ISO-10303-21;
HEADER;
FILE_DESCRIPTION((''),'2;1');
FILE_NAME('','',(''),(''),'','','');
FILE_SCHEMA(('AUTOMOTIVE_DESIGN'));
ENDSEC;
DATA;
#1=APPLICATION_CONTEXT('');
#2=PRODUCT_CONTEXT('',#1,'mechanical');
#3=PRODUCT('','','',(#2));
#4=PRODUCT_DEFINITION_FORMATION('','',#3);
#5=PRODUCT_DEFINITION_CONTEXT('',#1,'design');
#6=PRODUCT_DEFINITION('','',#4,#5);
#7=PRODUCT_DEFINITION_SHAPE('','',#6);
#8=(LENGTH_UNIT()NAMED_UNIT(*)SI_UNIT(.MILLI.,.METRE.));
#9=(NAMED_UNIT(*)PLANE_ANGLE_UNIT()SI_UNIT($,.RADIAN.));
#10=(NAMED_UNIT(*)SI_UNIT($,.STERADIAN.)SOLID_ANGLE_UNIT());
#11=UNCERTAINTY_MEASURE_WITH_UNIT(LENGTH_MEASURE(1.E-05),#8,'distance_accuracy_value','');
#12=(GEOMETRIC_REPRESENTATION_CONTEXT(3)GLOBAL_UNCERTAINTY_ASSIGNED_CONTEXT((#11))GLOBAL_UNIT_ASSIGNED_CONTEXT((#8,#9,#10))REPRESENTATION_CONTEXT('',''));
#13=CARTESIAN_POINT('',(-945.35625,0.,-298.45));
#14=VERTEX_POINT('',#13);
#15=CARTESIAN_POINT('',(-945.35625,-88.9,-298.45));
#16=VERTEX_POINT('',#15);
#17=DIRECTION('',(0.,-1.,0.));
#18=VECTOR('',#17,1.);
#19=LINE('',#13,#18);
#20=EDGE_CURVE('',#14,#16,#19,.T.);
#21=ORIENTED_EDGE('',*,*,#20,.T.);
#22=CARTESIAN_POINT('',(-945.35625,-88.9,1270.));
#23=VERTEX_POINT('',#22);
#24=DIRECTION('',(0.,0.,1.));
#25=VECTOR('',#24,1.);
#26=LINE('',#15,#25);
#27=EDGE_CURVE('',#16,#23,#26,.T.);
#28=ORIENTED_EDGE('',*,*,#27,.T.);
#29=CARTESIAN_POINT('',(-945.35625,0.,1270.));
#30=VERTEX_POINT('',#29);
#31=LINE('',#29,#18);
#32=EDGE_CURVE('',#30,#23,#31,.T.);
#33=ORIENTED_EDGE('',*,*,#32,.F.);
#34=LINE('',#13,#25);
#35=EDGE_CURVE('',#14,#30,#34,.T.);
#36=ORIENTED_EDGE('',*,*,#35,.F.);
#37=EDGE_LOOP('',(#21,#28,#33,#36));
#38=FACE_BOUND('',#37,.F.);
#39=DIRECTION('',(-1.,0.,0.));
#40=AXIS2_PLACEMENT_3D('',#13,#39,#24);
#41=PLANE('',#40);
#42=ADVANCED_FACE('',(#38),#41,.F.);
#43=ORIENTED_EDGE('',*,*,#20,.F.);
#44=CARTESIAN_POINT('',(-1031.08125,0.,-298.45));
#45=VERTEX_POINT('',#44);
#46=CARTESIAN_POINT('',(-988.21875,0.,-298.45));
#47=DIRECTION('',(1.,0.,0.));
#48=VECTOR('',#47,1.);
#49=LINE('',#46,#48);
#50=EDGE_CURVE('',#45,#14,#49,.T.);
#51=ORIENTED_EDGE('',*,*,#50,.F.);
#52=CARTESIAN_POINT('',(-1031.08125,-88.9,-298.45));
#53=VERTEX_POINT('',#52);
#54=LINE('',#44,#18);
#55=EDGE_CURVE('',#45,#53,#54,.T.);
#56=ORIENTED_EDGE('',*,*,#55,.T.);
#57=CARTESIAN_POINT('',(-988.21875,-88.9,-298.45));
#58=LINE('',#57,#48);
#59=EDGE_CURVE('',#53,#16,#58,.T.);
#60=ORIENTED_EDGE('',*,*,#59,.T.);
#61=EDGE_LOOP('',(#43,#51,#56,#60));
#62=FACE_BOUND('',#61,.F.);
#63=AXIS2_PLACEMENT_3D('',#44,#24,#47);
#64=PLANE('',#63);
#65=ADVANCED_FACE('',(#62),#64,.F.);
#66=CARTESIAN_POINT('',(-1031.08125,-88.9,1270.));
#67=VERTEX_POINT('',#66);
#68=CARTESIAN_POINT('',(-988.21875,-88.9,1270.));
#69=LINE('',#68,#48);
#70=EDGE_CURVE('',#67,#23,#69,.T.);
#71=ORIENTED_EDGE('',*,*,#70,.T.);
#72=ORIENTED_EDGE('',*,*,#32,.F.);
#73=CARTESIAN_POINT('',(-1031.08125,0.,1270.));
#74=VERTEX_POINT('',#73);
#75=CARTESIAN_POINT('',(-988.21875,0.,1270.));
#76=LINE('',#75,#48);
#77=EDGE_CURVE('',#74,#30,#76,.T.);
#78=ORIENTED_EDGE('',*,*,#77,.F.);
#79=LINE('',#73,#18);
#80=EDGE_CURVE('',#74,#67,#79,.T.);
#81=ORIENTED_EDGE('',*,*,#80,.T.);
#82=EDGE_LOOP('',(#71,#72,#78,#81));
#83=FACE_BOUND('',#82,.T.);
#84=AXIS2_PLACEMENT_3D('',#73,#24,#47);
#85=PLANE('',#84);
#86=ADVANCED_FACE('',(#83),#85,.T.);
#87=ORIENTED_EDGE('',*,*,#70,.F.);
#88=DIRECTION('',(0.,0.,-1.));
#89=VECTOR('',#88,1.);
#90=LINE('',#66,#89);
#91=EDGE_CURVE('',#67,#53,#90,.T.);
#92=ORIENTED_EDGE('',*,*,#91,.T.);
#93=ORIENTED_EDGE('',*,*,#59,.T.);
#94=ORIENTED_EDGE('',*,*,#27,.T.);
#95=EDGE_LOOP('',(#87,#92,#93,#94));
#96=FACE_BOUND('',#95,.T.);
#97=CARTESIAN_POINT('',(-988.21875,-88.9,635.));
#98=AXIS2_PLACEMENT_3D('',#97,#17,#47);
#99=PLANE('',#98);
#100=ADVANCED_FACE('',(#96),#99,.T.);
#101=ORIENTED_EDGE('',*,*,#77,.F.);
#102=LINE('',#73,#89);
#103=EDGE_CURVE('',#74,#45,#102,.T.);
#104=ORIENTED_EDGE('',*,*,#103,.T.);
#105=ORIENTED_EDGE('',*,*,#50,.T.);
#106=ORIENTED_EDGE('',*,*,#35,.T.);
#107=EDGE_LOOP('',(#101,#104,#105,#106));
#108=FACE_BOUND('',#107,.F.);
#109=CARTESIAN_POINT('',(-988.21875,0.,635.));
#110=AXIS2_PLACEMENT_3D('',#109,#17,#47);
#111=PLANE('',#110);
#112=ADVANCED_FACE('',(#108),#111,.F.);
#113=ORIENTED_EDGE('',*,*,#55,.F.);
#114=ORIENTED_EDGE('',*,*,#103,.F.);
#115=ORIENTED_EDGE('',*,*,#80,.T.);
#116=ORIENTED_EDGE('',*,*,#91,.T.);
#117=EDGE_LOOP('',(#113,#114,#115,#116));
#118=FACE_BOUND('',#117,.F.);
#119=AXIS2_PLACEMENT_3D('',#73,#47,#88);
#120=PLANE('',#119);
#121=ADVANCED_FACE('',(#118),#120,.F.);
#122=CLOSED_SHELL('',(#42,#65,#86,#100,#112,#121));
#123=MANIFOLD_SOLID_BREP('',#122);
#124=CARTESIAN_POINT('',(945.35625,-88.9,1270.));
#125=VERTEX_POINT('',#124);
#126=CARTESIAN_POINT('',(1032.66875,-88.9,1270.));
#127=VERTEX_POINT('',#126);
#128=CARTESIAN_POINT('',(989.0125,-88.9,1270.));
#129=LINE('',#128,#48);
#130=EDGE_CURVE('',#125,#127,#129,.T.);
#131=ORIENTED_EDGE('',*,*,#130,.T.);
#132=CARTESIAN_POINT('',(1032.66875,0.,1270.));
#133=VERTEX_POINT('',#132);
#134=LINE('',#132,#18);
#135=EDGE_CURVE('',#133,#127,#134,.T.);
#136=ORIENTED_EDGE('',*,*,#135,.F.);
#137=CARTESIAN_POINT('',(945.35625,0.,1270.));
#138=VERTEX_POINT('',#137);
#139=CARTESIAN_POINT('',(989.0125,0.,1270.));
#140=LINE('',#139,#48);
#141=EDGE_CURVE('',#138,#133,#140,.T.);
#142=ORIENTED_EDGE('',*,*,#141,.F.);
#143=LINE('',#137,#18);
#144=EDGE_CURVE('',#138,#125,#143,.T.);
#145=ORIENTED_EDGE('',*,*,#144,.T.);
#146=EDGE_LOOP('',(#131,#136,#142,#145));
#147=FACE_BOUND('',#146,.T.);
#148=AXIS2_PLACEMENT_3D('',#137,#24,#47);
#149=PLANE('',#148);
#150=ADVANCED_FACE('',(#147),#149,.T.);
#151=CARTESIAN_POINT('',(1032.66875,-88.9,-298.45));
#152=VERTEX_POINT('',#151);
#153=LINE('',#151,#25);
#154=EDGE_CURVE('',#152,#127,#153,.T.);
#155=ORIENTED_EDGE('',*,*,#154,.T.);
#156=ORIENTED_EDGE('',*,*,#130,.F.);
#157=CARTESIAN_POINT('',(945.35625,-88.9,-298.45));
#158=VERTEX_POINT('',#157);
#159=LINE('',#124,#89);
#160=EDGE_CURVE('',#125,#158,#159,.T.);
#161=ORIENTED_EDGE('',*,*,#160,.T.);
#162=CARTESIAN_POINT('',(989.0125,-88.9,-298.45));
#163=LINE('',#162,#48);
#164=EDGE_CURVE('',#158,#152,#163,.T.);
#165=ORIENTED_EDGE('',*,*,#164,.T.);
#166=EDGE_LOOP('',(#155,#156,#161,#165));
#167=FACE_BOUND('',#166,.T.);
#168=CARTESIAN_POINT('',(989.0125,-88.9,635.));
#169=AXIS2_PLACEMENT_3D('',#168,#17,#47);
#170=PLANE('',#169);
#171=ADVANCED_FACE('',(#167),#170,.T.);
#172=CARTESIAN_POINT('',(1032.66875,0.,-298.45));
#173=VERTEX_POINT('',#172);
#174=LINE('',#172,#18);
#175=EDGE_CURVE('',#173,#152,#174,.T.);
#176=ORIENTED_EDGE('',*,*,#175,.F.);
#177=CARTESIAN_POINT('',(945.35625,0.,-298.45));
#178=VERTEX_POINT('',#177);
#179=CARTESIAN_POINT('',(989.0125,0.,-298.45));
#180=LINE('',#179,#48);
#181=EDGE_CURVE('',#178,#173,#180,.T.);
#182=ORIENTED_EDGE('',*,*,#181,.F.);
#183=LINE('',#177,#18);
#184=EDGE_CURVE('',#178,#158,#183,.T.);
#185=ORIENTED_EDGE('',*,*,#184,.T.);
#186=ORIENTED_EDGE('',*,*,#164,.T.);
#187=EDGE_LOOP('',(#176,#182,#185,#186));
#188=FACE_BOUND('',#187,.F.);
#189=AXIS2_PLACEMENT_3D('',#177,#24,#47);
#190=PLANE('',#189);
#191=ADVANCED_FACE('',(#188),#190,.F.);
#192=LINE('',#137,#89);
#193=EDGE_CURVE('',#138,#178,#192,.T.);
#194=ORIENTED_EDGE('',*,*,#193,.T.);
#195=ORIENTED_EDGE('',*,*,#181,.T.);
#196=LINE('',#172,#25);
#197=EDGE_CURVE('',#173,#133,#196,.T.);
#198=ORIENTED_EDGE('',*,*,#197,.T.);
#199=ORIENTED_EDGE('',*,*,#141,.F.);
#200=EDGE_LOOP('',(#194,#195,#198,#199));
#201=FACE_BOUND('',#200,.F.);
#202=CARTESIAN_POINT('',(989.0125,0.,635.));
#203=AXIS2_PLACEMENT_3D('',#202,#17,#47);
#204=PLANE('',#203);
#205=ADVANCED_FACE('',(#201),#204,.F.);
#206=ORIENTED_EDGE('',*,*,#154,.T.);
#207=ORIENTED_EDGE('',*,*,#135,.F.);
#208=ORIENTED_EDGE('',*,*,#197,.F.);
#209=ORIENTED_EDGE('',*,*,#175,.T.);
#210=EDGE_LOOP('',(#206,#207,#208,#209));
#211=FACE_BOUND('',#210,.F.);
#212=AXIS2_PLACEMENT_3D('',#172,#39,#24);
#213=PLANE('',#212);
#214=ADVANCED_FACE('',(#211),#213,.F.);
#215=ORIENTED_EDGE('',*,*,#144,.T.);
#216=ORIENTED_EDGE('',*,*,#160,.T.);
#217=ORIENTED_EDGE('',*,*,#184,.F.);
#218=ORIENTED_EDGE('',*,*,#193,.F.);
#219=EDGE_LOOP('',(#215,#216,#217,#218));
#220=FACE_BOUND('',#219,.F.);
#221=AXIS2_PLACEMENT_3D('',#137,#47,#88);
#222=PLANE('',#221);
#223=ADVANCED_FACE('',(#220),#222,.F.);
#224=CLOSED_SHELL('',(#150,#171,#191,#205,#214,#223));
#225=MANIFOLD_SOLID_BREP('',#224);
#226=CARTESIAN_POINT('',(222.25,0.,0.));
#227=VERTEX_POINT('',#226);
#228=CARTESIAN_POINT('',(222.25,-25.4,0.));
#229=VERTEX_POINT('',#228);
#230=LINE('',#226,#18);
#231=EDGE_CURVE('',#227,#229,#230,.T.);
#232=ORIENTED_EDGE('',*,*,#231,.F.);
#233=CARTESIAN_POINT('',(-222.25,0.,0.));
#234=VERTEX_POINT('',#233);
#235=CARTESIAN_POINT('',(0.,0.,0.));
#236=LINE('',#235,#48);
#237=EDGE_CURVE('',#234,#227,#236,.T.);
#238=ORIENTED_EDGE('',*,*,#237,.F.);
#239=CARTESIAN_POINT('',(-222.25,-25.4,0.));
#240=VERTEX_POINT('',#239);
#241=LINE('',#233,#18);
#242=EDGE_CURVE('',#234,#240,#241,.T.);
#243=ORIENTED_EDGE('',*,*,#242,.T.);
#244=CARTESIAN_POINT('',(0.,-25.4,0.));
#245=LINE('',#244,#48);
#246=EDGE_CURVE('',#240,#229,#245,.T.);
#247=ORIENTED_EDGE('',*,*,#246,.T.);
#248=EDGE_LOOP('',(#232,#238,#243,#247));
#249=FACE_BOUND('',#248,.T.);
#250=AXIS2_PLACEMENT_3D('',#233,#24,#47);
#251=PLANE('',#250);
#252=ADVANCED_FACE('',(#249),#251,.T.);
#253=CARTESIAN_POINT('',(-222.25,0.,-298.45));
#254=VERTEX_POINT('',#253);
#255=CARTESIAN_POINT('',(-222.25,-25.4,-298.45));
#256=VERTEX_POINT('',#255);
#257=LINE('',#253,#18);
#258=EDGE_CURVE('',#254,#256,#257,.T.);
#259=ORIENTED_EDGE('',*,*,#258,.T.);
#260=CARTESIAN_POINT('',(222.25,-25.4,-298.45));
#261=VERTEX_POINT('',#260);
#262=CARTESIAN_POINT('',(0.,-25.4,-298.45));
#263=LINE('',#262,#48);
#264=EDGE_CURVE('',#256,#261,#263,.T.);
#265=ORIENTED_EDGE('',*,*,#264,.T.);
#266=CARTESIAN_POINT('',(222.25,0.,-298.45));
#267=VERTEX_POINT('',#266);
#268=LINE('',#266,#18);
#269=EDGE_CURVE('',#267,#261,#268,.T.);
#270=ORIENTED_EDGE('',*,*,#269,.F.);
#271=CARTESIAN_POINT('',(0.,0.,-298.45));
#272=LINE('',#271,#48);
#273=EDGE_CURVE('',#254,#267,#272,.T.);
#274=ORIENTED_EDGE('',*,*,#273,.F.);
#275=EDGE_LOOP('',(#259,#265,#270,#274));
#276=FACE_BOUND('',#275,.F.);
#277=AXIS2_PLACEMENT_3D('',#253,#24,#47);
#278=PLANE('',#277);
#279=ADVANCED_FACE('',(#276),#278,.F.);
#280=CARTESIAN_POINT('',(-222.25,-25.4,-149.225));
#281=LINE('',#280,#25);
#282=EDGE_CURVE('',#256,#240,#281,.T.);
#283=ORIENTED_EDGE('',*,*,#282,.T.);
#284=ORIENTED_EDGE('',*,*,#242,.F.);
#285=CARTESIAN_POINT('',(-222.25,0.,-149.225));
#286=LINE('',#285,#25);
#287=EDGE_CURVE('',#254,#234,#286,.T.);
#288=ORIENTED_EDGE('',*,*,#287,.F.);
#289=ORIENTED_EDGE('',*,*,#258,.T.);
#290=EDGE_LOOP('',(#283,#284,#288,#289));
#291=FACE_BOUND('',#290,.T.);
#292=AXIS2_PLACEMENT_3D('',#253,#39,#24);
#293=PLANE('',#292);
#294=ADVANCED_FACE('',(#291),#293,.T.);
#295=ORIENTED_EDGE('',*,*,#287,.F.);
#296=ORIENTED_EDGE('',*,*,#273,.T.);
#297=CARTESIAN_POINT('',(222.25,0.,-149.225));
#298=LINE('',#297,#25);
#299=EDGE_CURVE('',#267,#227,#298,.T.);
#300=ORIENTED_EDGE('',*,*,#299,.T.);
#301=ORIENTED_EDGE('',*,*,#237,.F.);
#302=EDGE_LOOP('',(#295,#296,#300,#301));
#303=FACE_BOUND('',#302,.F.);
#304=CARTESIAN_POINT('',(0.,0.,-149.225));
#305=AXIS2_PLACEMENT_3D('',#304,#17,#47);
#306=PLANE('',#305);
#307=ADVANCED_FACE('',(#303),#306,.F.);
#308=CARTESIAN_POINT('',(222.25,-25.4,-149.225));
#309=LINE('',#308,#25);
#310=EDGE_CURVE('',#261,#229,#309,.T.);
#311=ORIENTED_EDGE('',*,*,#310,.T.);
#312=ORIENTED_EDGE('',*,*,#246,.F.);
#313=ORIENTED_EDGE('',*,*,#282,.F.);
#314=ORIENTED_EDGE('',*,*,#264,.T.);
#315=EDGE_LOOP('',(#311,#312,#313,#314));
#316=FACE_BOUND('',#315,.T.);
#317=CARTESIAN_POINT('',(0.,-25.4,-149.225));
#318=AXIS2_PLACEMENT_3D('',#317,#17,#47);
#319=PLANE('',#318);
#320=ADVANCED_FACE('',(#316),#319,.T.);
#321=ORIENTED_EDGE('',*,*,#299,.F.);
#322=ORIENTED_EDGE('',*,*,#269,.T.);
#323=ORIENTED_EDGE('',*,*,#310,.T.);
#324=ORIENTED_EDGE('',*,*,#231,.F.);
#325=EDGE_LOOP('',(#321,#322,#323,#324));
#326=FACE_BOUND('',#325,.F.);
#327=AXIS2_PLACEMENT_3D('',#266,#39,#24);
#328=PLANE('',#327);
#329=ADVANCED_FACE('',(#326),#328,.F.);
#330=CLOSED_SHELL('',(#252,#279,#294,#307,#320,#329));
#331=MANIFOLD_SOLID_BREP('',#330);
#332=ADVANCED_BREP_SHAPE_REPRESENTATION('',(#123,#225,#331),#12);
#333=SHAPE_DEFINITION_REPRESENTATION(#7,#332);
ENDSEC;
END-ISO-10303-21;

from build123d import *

# Parameters (mm, degrees)
F0_W     = 85.725
F0_H     = 1270
F0_H_2   = 298.45
F0_W_2   = 87.3125
F1_DEPTH = 88.9
F2_W     = 444.5
F2_H     = 298.45
F3_DEPTH = 25.4


with BuildPart() as f1:
    # F0 (on Front) → F1 (new body)
    with BuildSketch(Plane.XZ):
        with Locations((-988.21875, 635)):
            Rectangle(F0_W, F0_H)
        with Locations((-988.21875, -149.225)):
            Rectangle(F0_W, F0_H_2)
        with Locations((989.0125, 635)):
            Rectangle(F0_W_2, F0_H)
        with Locations((989.0125, -149.225)):
            Rectangle(F0_W_2, F0_H_2)
    extrude(amount=F1_DEPTH)


with BuildPart() as f3:
    # F2 (on Front) → F3 (new body)
    with BuildSketch(Plane.XZ):
        with Locations((0, -149.225)):
            Rectangle(F2_W, F2_H)
    extrude(amount=F3_DEPTH)


solid = Compound([f1.part, f3.part])
